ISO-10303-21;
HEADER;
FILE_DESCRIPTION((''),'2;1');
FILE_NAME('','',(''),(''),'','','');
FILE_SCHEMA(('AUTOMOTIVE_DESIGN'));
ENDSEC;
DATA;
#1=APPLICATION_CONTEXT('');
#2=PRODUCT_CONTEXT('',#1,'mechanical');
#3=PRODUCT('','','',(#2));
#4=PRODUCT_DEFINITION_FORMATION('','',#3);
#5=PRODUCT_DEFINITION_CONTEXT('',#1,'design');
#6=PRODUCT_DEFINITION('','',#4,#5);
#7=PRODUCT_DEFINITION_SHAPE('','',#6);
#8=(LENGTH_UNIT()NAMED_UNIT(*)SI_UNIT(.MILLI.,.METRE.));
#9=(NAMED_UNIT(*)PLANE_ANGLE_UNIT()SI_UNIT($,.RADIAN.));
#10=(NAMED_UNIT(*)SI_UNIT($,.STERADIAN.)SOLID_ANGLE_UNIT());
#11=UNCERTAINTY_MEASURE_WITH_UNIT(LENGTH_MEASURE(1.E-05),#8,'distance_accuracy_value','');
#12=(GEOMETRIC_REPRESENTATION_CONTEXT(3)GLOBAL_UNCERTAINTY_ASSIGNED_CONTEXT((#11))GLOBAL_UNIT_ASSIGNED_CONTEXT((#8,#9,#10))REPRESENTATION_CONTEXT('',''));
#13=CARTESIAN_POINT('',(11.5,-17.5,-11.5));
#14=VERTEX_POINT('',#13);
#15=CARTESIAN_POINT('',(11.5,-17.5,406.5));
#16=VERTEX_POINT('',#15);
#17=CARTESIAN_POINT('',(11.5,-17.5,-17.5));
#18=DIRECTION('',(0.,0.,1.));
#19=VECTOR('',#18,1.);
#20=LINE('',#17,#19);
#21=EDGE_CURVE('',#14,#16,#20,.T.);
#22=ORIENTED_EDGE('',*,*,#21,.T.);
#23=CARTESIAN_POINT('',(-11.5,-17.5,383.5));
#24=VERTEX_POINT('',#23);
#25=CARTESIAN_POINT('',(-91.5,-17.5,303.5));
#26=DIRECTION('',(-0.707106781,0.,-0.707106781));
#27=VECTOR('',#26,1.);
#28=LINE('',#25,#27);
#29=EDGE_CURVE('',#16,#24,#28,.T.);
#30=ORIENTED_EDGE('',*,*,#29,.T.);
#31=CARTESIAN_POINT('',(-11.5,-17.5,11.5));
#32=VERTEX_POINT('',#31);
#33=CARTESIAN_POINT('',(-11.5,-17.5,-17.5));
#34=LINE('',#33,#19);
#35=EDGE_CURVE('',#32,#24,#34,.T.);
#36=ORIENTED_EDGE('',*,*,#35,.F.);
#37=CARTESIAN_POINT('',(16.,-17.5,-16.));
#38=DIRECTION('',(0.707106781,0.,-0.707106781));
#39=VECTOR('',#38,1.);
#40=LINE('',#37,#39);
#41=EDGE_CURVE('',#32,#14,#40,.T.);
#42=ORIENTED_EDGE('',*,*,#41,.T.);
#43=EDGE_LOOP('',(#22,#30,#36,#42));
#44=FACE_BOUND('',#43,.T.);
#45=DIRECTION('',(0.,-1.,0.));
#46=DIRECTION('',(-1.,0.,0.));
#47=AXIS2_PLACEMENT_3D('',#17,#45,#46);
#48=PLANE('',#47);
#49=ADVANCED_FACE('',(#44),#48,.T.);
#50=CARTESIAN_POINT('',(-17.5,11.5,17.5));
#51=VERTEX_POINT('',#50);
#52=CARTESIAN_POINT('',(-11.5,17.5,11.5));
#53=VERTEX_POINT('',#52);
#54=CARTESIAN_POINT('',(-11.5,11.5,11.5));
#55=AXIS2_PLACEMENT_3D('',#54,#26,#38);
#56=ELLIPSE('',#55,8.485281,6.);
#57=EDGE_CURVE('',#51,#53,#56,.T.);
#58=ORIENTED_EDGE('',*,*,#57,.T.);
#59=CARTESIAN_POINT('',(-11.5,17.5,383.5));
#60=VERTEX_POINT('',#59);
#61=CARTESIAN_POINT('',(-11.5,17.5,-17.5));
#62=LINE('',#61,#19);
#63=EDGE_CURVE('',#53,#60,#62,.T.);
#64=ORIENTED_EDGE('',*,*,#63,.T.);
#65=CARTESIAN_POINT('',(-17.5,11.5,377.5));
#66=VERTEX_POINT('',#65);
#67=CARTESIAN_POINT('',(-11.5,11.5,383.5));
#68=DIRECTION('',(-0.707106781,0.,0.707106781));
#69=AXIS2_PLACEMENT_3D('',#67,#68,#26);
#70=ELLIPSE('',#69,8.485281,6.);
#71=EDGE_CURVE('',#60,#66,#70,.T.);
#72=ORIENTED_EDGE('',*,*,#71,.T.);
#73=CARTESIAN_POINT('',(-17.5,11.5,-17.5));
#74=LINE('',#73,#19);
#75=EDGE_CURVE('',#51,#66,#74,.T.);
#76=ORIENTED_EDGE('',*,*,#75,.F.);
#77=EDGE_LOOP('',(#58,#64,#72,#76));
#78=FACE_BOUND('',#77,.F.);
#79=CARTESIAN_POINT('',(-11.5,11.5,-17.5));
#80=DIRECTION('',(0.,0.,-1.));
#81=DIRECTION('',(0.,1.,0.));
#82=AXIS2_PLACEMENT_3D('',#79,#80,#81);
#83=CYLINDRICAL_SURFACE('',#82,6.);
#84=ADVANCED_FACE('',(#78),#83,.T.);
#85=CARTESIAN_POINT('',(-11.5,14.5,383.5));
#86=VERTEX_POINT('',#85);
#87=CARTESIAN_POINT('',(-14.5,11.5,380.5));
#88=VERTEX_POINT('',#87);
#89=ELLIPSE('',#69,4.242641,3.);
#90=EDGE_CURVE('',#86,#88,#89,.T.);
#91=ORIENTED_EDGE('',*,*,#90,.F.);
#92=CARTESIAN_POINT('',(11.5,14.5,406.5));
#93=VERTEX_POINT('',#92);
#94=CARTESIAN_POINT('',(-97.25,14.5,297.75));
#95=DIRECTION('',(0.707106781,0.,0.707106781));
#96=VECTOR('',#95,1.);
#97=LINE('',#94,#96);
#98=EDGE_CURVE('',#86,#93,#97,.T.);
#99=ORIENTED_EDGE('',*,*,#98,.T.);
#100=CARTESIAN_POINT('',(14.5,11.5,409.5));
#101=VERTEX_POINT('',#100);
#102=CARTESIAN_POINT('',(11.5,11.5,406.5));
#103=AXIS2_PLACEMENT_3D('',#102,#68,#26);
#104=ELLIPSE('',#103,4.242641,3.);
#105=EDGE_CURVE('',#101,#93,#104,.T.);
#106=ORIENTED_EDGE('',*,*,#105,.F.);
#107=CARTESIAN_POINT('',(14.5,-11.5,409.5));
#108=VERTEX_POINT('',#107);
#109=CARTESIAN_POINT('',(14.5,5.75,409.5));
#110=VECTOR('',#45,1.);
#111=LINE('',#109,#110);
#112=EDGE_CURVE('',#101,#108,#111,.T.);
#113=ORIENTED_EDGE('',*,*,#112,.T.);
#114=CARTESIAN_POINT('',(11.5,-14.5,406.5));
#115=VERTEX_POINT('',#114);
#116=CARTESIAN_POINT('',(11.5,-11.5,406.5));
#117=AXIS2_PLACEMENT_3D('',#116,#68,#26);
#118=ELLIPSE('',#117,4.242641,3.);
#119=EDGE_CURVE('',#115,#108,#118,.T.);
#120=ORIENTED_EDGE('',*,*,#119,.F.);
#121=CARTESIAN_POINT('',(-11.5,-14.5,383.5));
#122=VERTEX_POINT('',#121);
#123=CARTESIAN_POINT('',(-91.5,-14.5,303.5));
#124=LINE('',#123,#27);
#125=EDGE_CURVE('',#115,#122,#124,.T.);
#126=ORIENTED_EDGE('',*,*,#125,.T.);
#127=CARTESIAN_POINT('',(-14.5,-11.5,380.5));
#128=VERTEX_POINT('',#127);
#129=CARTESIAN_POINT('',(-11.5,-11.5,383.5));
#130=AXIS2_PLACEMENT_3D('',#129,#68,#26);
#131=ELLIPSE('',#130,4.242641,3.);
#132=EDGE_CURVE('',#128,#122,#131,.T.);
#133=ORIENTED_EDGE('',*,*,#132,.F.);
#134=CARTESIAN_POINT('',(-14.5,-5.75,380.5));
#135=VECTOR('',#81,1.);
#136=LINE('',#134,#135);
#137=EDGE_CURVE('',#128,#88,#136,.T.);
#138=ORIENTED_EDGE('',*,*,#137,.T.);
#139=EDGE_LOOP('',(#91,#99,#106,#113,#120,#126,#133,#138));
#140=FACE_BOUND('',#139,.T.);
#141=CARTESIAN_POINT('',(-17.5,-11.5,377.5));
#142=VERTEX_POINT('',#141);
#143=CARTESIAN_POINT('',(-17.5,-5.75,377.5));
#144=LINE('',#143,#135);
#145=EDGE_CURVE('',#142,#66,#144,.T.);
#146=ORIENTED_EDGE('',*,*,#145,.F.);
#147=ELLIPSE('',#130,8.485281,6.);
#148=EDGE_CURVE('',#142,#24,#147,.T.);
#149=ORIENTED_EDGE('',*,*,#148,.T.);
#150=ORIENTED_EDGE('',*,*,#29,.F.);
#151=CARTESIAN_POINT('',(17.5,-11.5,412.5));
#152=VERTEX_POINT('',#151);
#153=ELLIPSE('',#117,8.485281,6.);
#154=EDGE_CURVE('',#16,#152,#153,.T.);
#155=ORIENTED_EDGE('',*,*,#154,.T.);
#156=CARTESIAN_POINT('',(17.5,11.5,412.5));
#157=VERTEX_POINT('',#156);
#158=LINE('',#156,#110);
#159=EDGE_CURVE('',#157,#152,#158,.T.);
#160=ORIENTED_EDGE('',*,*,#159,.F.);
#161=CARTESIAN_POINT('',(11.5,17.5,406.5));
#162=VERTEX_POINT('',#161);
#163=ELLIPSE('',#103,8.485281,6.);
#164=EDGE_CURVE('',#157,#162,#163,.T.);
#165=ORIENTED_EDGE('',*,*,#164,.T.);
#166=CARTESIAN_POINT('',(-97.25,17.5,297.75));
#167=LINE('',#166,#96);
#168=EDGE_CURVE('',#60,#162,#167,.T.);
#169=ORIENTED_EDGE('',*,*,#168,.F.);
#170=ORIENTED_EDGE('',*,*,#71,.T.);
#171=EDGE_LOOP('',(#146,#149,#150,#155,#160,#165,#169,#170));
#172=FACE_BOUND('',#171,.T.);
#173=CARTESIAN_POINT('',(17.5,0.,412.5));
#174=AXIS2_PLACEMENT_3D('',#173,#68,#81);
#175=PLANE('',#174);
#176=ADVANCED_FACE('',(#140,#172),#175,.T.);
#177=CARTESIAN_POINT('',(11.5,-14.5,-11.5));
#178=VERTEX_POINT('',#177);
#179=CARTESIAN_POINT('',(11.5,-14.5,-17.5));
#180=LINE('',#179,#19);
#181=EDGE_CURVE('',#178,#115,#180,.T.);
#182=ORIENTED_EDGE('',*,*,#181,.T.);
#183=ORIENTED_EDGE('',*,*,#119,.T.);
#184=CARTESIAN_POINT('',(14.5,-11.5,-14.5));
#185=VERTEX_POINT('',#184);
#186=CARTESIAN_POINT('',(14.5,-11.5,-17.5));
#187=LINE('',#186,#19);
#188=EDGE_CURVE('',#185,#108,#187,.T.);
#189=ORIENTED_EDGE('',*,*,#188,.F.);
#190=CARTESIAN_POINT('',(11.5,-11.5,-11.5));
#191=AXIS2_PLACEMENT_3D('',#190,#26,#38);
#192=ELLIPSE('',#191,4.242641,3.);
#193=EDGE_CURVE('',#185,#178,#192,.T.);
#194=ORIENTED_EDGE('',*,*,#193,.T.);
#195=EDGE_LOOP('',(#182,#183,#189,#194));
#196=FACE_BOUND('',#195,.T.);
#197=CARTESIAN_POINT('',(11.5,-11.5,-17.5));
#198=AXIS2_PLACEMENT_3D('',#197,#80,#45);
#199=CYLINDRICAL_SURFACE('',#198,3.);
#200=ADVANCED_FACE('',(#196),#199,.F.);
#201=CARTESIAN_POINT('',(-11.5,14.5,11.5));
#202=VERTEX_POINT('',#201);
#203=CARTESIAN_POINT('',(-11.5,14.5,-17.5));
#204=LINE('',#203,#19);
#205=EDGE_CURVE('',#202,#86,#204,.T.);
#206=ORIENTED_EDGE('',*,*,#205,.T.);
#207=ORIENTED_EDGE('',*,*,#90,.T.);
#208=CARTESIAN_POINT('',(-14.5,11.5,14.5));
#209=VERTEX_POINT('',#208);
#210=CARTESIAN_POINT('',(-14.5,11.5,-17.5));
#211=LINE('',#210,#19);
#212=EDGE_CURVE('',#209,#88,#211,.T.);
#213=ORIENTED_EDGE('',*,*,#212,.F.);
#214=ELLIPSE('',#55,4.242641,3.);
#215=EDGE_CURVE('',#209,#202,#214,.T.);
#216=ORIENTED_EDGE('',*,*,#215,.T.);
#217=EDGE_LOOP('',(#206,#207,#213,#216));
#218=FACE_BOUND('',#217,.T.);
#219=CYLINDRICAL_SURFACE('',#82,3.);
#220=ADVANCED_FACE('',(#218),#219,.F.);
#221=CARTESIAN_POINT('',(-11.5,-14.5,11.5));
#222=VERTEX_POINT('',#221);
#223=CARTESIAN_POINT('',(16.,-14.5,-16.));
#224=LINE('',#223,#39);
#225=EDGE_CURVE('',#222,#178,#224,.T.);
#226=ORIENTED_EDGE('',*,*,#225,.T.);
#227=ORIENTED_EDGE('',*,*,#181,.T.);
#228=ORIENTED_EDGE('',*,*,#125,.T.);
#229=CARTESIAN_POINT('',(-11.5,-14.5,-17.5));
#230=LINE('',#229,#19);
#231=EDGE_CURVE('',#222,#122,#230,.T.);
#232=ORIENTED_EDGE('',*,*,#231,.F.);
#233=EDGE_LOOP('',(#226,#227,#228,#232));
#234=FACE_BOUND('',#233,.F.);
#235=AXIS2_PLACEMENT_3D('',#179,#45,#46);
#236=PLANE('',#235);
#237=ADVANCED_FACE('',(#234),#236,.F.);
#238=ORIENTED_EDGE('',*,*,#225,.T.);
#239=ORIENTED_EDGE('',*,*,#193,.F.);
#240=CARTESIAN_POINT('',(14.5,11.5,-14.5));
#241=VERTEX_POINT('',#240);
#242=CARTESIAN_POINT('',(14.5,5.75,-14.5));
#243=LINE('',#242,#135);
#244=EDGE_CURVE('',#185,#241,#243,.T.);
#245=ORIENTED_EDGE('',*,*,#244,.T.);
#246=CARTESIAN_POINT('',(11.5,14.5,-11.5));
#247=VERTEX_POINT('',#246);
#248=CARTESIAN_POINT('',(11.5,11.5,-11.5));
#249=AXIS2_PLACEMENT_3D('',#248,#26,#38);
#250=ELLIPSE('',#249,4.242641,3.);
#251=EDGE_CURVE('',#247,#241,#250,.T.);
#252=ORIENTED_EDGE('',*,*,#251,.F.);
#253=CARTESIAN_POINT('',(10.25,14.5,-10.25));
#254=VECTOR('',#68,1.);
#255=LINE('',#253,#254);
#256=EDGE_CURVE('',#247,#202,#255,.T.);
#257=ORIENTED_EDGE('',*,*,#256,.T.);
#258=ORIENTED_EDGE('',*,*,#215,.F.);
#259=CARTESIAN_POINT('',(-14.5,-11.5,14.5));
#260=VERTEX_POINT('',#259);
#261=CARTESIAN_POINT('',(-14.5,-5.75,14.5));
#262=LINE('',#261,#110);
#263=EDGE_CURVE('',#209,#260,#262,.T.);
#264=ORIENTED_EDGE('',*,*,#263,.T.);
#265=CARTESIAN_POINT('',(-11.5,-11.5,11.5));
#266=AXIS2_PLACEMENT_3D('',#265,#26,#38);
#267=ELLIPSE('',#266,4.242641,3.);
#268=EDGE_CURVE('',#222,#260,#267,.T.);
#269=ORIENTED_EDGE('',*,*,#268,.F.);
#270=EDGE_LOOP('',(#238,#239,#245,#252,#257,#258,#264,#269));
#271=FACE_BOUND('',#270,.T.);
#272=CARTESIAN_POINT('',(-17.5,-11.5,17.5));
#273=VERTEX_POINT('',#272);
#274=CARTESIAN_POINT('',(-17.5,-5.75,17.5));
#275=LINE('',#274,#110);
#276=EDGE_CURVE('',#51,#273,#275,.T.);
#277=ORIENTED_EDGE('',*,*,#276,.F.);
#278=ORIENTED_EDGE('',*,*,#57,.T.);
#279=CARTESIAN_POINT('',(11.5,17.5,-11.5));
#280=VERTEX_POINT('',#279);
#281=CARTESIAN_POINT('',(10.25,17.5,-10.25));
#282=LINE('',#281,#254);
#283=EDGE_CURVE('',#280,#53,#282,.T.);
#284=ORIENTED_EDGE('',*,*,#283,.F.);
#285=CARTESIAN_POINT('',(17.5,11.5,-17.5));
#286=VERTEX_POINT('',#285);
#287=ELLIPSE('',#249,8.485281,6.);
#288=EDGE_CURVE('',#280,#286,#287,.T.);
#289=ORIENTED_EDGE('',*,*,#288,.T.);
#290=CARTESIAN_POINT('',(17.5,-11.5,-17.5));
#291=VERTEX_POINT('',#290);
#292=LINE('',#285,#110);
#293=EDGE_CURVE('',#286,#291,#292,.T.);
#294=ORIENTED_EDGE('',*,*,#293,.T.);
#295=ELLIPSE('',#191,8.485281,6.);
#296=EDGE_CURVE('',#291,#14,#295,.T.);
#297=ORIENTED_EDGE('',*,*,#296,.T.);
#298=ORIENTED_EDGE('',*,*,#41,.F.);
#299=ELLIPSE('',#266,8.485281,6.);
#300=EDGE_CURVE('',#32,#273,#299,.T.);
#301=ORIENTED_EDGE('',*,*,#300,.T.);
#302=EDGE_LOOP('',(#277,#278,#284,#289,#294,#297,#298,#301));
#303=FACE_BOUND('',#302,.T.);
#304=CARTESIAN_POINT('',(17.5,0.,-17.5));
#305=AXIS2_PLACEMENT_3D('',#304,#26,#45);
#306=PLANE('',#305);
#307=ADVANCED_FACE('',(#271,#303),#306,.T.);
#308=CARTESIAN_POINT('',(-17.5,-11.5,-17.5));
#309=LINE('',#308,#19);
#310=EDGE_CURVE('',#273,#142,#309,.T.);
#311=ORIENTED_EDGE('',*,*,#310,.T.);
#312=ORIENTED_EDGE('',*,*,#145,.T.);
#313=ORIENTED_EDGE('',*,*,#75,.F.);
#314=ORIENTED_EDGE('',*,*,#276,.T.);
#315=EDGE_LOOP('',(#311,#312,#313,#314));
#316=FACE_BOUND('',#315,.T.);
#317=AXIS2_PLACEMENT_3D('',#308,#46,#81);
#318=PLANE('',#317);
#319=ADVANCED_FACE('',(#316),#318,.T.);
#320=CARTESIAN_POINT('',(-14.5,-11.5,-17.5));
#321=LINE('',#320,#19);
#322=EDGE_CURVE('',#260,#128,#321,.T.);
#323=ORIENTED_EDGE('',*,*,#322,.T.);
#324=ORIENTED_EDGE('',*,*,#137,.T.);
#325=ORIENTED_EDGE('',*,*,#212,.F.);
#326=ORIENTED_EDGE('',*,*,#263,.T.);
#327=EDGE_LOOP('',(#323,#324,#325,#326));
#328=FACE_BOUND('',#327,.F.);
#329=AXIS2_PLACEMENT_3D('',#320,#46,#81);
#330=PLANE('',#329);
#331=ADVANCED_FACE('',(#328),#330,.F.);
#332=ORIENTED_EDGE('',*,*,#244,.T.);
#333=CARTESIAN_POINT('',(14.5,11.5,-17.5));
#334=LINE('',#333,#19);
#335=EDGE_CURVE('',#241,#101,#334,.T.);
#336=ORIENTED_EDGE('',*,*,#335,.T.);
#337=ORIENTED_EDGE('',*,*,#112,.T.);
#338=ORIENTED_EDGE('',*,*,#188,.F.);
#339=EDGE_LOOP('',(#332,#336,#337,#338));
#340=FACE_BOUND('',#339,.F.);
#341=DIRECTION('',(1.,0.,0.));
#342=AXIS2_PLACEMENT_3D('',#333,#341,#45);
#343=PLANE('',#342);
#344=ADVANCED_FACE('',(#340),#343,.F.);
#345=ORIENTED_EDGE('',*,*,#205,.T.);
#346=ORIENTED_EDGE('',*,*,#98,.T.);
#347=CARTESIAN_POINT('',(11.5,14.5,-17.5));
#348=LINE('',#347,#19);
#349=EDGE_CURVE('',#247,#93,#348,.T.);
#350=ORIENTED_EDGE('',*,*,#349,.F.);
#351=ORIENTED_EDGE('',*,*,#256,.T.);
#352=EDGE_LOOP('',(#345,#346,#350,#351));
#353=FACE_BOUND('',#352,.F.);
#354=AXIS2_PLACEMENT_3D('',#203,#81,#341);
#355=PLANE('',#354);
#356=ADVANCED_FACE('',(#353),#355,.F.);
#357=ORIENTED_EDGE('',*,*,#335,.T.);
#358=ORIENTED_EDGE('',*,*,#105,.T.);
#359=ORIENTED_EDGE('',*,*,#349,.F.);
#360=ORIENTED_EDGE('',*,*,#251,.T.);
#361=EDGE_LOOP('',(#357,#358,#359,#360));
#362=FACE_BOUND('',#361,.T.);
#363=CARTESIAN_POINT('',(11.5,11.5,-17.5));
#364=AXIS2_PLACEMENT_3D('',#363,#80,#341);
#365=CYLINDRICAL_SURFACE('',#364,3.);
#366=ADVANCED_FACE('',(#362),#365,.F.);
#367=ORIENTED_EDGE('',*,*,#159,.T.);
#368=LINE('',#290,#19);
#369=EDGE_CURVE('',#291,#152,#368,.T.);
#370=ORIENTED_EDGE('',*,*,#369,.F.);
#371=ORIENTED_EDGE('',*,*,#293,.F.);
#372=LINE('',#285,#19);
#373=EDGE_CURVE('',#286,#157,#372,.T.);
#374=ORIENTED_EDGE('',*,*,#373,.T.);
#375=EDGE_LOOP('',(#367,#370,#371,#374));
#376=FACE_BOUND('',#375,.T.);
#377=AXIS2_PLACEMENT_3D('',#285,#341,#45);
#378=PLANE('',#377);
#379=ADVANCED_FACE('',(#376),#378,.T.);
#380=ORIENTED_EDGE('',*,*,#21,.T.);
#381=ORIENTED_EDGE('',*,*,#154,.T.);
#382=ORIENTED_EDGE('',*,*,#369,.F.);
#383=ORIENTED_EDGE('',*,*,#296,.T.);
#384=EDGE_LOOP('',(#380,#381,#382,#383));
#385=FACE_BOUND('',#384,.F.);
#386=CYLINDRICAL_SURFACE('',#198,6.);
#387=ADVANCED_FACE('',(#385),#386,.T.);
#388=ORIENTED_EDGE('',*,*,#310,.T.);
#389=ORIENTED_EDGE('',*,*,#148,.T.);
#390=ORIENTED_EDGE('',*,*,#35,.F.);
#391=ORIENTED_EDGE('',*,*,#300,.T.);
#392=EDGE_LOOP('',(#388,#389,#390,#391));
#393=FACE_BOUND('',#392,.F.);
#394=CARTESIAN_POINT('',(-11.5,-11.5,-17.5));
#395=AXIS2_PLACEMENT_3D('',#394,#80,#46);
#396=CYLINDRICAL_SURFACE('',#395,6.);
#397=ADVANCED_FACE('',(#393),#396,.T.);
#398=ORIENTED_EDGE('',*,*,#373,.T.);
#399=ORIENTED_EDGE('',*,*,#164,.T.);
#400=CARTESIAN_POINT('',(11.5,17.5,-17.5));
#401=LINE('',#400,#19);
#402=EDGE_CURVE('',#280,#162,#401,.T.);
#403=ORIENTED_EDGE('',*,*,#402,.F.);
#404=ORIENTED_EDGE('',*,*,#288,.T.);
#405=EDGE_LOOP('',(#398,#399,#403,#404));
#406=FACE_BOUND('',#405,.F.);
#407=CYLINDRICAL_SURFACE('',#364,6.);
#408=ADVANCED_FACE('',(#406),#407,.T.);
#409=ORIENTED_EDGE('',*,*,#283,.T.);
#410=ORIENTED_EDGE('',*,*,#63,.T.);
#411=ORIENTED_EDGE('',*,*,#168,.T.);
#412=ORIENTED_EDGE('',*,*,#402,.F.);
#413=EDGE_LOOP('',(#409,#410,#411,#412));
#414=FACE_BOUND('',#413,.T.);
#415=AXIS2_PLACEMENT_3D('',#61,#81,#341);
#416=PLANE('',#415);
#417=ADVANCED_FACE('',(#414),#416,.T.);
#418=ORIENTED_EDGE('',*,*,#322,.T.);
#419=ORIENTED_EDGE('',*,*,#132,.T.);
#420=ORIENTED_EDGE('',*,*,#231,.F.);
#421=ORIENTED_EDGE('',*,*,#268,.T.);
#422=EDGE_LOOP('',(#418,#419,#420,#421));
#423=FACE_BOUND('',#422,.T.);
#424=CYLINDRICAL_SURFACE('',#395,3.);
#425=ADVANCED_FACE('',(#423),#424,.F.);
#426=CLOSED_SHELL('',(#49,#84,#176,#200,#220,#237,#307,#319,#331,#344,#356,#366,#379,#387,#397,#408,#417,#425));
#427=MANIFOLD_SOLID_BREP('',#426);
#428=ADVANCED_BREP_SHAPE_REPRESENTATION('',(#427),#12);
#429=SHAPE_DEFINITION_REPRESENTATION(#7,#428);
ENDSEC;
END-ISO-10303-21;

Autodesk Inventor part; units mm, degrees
ref_plane "Start plane" through (0, 0, -17.5) normal (0, 0, 1) x (1, 0, 0)
ref_plane "End plane" through (0, 0, 412.5) normal (0, 0, 1) x (1, 0, 0)
sketch "Sketch" plane through (0, 0, 0) normal (0, 0, 1) x (1, 0, 0)
  line L0 (-17.5, -11.5) -> (-17.5, 11.5)
  line L1 (-11.5, 17.5) -> (11.5, 17.5)
  line L2 (17.5, 11.5) -> (17.5, -11.5)
  line L3 (11.5, -17.5) -> (-11.5, -17.5)
  arc A0 (-17.5, -11.5) -> (-11.5, -17.5) centre (-11.5, -11.5) ccw
  arc A1 (-11.5, 17.5) -> (-17.5, 11.5) centre (-11.5, 11.5) ccw
  arc A2 (17.5, 11.5) -> (11.5, 17.5) centre (11.5, 11.5) ccw
  arc A3 (11.5, -17.5) -> (17.5, -11.5) centre (11.5, -11.5) ccw
  arc A4 (-11.5, 14.5) -> (-14.5, 11.5) centre (-11.5, 11.5) ccw
  line L4 (-11.5, 14.5) -> (11.5, 14.5)
  arc A5 (14.5, 11.5) -> (11.5, 14.5) centre (11.5, 11.5) ccw
  line L5 (14.5, 11.5) -> (14.5, -11.5)
  arc A6 (11.5, -14.5) -> (14.5, -11.5) centre (11.5, -11.5) ccw
  line L6 (11.5, -14.5) -> (-11.5, -14.5)
  arc A7 (-14.5, -11.5) -> (-11.5, -14.5) centre (-11.5, -11.5) ccw
  line L7 (-14.5, -11.5) -> (-14.5, 11.5)
  line L8 (0, 25.6598) -> (0, -25.6598) construction
  line L9 (-25.6598, 0) -> (25.6598, 0) construction
  dimension "d7" = 6
  dimension "d10" = 35
  dimension "d11" = 35
  dimension "d12" = 3
  dimension "d15" = 17.5
  dimension "d16" = 17.5
extrude "Body" add sketch "Sketch" along normal up to surface (430 mm away) from surface at -17.5
sketch "Sketch3" plane through (0, 0, 0) normal (0, 0, 1) x (1, 0, 0)
  line L0 (0, 0) -> (10, 0)
ref_plane "Work Plane3" through (0, 0, 0) normal (0, -1, 0) x (1, 0, 0)
sketch "Sketch4" plane through (0, 0, 0) normal (0, -1, 0) x (1, 0, 0)
  line L0 (-2, -17.5) -> (12, -17.5)
  line L1 (-2, 412.5) -> (12, 412.5)
  dimension "d18" = 430
ref_plane "Work Plane9" through (17.5, 0, -17.5) normal (-0.7071, 0, -0.7071) x (-0.7071, 0, 0.7071)
split "Split3" plane through (17.5, 0, -17.5) removes the side toward (-0.7071, 0, -0.7071)
ref_plane "Work Plane10" through (17.5, 0, 412.5) normal (-0.7071, 0, 0.7071) x (0.7071, 0, 0.7071)
split "Split4" plane through (17.5, 0, 412.5) removes the side toward (-0.7071, 0, 0.7071)
equation "\"d7\" = G_IR"
equation "\"d10\" = G_H"
equation "\"d11\" = G_W"
equation "\"d12\" = G_T"
equation "\"d15\" = 0.5 * d10"
equation "\"d16\" = 0.5 * d11"
equation "\"d3\" = G_L"
equation "\"G_W\" = 35"
equation "\"G_H\" = 35"
equation "\"G_T\" = 3"
equation "\"G_IR\" = 6"
equation "\"G_L\" = d18"
equation "\"G_OFFSET_START\" = 17.5"
equation "\"G_OFFSET_END\" = 17.5"
equation "\"d13\" = -G_OFFSET_START"
equation "\"d14\" = G_OFFSET_END + B_L"
equation "\"B_L\" = 395"
properties part number "AS 1163 - C350L0 35x35x3.0 SHS - 430" material "Steel, Mild"
